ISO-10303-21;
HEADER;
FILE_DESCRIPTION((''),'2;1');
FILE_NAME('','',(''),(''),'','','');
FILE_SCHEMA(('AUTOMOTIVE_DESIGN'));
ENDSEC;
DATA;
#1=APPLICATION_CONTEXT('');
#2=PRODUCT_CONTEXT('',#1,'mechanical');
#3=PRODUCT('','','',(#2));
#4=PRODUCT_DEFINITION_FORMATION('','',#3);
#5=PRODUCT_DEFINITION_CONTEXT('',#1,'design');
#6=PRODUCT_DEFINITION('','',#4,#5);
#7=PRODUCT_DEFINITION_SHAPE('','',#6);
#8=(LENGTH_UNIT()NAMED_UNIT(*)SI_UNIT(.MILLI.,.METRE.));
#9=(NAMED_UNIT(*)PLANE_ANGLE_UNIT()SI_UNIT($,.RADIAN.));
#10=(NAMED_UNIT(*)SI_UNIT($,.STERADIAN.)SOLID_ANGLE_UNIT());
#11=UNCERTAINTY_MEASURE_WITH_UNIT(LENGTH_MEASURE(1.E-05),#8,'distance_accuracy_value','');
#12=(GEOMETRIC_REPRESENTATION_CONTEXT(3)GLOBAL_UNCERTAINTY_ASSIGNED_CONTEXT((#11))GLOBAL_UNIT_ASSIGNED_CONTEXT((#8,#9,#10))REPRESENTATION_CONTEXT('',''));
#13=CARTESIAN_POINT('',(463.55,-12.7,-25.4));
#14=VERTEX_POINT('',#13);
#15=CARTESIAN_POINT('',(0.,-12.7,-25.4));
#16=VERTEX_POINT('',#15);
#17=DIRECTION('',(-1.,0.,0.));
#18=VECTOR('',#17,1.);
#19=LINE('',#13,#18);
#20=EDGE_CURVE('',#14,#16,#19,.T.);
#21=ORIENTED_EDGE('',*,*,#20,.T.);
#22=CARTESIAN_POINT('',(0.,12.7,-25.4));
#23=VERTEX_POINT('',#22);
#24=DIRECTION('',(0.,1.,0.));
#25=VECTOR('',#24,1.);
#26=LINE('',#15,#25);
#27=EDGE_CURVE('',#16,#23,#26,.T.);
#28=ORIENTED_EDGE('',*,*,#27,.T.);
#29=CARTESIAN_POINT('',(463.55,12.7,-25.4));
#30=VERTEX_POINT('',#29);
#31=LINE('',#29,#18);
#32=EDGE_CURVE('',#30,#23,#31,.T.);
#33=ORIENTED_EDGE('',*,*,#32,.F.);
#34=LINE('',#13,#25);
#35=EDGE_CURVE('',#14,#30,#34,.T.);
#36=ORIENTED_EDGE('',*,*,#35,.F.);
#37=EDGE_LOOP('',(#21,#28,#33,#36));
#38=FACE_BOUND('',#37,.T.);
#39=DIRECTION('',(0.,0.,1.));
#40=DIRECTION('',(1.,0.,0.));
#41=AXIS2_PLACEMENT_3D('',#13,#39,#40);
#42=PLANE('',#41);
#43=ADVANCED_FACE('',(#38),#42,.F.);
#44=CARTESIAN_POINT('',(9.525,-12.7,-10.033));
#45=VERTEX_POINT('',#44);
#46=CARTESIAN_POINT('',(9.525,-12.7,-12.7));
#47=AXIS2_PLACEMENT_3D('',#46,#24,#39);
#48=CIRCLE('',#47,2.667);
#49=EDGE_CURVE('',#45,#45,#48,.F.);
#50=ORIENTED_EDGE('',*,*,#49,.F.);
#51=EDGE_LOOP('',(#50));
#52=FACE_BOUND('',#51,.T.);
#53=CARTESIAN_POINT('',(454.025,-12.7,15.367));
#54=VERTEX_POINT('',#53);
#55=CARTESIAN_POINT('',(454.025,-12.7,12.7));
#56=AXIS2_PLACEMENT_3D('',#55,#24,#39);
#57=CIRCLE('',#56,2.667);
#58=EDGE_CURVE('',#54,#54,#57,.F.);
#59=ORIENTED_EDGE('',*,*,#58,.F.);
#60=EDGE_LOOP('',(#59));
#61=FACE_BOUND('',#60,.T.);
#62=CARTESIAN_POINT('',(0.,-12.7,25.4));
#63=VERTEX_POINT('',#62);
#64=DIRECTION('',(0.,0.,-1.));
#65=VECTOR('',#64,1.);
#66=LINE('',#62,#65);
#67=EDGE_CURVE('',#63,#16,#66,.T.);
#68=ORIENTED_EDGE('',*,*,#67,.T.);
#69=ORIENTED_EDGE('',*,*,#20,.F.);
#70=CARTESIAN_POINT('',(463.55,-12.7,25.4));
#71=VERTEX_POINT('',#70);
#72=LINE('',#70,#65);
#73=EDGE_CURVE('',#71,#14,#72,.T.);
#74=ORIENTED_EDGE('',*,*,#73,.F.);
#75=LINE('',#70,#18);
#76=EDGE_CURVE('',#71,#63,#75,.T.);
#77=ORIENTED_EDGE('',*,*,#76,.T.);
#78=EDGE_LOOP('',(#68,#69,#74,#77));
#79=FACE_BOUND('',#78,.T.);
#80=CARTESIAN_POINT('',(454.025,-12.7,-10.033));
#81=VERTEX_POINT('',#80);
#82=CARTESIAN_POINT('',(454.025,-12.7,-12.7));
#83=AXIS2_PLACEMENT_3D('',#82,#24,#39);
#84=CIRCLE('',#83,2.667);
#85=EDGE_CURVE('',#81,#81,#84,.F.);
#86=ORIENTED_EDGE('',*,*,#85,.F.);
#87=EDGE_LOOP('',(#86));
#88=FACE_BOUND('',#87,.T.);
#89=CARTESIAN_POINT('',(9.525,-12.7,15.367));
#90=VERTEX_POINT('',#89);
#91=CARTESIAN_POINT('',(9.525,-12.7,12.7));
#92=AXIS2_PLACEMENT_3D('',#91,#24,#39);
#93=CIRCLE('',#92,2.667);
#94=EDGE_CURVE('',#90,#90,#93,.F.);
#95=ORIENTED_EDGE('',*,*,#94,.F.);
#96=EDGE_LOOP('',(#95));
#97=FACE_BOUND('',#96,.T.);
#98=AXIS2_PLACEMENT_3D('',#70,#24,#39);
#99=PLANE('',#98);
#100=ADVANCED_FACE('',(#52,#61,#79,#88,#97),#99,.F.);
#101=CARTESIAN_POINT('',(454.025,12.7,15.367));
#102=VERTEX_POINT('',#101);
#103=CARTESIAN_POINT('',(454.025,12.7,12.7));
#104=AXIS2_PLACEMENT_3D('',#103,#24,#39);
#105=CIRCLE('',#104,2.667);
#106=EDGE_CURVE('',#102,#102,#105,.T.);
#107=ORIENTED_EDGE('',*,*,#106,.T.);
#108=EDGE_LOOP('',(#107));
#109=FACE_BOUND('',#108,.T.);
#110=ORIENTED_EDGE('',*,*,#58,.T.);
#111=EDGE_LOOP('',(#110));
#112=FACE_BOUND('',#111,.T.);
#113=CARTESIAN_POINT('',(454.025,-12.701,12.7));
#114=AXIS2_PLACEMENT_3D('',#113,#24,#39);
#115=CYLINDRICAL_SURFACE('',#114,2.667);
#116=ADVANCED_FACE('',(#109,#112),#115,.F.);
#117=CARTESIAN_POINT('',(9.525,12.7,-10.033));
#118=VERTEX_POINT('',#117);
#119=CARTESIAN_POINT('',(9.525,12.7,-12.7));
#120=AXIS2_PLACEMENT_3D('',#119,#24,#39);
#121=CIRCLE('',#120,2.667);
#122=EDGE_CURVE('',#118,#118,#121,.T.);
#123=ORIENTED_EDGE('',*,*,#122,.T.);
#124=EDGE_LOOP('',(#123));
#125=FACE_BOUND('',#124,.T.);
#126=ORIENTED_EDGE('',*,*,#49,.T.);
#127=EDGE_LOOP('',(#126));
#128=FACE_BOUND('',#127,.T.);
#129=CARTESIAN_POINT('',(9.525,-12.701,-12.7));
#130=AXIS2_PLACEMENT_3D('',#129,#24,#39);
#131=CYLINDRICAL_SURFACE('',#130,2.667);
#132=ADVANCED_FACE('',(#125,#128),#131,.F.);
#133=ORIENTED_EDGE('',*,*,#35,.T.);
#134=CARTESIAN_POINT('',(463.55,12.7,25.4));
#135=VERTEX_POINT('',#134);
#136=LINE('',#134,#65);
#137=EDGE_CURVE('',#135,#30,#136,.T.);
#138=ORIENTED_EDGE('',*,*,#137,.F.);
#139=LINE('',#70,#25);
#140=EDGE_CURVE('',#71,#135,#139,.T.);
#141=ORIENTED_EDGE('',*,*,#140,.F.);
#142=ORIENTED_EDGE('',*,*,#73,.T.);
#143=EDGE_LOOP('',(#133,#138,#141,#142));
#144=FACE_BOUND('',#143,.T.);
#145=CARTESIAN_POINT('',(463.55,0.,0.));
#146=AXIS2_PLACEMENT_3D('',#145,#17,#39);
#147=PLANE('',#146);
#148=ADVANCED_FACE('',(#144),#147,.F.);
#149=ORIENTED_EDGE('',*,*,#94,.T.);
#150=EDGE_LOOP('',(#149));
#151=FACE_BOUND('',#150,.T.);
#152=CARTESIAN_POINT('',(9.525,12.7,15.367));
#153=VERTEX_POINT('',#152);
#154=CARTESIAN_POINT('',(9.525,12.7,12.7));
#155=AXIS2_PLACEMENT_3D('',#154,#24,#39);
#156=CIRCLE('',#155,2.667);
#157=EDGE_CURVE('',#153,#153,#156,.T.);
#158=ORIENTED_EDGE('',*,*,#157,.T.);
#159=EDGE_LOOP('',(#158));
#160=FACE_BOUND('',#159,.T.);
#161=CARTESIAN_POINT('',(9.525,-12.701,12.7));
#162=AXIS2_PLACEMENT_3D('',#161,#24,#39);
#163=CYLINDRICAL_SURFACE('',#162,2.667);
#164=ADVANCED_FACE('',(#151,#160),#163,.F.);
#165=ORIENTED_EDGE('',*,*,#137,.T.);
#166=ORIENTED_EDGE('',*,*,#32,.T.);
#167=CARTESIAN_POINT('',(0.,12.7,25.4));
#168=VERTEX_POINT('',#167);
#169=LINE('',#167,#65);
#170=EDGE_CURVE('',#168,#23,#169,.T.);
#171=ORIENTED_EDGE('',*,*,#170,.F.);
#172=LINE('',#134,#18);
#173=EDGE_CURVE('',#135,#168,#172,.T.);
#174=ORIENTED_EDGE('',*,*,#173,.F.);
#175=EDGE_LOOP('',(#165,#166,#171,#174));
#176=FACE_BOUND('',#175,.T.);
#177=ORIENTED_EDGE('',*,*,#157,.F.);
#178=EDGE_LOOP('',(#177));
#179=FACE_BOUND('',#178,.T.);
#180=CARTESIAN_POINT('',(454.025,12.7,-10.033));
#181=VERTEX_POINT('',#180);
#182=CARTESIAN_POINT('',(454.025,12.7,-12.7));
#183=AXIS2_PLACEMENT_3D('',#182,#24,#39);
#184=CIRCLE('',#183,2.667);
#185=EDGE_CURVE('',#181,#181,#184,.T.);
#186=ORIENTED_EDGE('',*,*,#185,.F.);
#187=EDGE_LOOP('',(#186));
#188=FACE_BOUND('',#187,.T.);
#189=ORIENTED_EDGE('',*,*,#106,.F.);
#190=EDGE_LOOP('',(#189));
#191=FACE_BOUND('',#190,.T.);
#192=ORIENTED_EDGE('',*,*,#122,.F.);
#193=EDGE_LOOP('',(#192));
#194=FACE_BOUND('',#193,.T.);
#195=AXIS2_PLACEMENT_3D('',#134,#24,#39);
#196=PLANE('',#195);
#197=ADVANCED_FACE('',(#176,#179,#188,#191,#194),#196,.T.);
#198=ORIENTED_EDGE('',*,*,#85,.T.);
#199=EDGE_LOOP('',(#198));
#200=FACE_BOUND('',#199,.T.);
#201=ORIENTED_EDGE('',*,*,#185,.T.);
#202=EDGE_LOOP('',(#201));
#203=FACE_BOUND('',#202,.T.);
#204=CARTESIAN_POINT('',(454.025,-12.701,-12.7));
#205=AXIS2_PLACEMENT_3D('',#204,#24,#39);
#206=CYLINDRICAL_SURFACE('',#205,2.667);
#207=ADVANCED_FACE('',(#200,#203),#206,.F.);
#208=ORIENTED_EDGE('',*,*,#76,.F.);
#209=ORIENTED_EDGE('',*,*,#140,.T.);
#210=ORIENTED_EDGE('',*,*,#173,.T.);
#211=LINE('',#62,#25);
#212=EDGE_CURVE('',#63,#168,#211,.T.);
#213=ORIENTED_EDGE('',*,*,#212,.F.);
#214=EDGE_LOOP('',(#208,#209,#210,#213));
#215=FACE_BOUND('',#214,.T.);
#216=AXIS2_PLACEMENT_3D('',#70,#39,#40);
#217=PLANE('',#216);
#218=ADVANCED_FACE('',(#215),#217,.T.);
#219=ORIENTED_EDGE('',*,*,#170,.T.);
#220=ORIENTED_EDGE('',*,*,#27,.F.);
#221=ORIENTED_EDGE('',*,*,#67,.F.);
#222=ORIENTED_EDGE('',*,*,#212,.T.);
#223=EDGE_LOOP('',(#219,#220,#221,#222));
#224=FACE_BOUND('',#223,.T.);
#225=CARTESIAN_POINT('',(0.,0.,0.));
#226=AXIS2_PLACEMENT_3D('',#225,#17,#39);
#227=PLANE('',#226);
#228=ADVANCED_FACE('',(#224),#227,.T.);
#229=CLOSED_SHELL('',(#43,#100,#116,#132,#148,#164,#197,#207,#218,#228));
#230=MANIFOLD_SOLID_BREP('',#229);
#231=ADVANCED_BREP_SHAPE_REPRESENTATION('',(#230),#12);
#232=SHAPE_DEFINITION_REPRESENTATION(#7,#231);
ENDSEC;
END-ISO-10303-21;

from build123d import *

# Parameters (mm, degrees)
SKETCH1_W           = 50.8
SKETCH1_H           = 25.4
BOSS_EXTRUDE1_DEPTH = 463.55
CUT_EXTRUDE1_REACH  = 27.4
SKETCH2_R           = 2.667


with BuildPart() as part:
    # Sketch1 → Boss-Extrude1 (new body)
    with BuildSketch(Plane(origin=(0, 0, 0), x_dir=(0, 0, -1), z_dir=(1, 0, 0))):
        Rectangle(SKETCH1_W, SKETCH1_H)
    extrude(amount=BOSS_EXTRUDE1_DEPTH)

    # Sketch2 → Cut-Extrude1 (cut, up to next)
    with BuildSketch(Plane(origin=(0, 12.7, 0), x_dir=(1, 0, 0), z_dir=(0, 1, 0)), mode=Mode.PRIVATE) as cut_extrude1_sk1:
        with Locations((9.525, 12.7)):
            Circle(SKETCH2_R)
    cut_extrude1_tool1 = extrude(cut_extrude1_sk1.sketch, amount=-CUT_EXTRUDE1_REACH, mode=Mode.PRIVATE) & part.part
    add(cut_extrude1_tool1.solids().sort_by_distance((9.525, 12.7, -12.7))[0], mode=Mode.SUBTRACT)
    # Sketch2 → Cut-Extrude1 (cut, up to next)
    with BuildSketch(Plane(origin=(0, 12.7, 0), x_dir=(1, 0, 0), z_dir=(0, 1, 0)), mode=Mode.PRIVATE) as cut_extrude1_sk2:
        with Locations((9.525, -12.7)):
            Circle(SKETCH2_R)
    cut_extrude1_tool2 = extrude(cut_extrude1_sk2.sketch, amount=-CUT_EXTRUDE1_REACH, mode=Mode.PRIVATE) & part.part
    add(cut_extrude1_tool2.solids().sort_by_distance((9.525, 12.7, 12.7))[0], mode=Mode.SUBTRACT)
    # Sketch2 → Cut-Extrude1 (cut, up to next)
    with BuildSketch(Plane(origin=(0, 12.7, 0), x_dir=(1, 0, 0), z_dir=(0, 1, 0)), mode=Mode.PRIVATE) as cut_extrude1_sk3:
        with Locations((454.025, -12.7)):
            Circle(SKETCH2_R)
    cut_extrude1_tool3 = extrude(cut_extrude1_sk3.sketch, amount=-CUT_EXTRUDE1_REACH, mode=Mode.PRIVATE) & part.part
    add(cut_extrude1_tool3.solids().sort_by_distance((454.025, 12.7, 12.7))[0], mode=Mode.SUBTRACT)
    # Sketch2 → Cut-Extrude1 (cut, up to next)
    with BuildSketch(Plane(origin=(0, 12.7, 0), x_dir=(1, 0, 0), z_dir=(0, 1, 0)), mode=Mode.PRIVATE) as cut_extrude1_sk4:
        with Locations((454.025, 12.7)):
            Circle(SKETCH2_R)
    cut_extrude1_tool4 = extrude(cut_extrude1_sk4.sketch, amount=-CUT_EXTRUDE1_REACH, mode=Mode.PRIVATE) & part.part
    add(cut_extrude1_tool4.solids().sort_by_distance((454.025, 12.7, -12.7))[0], mode=Mode.SUBTRACT)


solid = part.part
